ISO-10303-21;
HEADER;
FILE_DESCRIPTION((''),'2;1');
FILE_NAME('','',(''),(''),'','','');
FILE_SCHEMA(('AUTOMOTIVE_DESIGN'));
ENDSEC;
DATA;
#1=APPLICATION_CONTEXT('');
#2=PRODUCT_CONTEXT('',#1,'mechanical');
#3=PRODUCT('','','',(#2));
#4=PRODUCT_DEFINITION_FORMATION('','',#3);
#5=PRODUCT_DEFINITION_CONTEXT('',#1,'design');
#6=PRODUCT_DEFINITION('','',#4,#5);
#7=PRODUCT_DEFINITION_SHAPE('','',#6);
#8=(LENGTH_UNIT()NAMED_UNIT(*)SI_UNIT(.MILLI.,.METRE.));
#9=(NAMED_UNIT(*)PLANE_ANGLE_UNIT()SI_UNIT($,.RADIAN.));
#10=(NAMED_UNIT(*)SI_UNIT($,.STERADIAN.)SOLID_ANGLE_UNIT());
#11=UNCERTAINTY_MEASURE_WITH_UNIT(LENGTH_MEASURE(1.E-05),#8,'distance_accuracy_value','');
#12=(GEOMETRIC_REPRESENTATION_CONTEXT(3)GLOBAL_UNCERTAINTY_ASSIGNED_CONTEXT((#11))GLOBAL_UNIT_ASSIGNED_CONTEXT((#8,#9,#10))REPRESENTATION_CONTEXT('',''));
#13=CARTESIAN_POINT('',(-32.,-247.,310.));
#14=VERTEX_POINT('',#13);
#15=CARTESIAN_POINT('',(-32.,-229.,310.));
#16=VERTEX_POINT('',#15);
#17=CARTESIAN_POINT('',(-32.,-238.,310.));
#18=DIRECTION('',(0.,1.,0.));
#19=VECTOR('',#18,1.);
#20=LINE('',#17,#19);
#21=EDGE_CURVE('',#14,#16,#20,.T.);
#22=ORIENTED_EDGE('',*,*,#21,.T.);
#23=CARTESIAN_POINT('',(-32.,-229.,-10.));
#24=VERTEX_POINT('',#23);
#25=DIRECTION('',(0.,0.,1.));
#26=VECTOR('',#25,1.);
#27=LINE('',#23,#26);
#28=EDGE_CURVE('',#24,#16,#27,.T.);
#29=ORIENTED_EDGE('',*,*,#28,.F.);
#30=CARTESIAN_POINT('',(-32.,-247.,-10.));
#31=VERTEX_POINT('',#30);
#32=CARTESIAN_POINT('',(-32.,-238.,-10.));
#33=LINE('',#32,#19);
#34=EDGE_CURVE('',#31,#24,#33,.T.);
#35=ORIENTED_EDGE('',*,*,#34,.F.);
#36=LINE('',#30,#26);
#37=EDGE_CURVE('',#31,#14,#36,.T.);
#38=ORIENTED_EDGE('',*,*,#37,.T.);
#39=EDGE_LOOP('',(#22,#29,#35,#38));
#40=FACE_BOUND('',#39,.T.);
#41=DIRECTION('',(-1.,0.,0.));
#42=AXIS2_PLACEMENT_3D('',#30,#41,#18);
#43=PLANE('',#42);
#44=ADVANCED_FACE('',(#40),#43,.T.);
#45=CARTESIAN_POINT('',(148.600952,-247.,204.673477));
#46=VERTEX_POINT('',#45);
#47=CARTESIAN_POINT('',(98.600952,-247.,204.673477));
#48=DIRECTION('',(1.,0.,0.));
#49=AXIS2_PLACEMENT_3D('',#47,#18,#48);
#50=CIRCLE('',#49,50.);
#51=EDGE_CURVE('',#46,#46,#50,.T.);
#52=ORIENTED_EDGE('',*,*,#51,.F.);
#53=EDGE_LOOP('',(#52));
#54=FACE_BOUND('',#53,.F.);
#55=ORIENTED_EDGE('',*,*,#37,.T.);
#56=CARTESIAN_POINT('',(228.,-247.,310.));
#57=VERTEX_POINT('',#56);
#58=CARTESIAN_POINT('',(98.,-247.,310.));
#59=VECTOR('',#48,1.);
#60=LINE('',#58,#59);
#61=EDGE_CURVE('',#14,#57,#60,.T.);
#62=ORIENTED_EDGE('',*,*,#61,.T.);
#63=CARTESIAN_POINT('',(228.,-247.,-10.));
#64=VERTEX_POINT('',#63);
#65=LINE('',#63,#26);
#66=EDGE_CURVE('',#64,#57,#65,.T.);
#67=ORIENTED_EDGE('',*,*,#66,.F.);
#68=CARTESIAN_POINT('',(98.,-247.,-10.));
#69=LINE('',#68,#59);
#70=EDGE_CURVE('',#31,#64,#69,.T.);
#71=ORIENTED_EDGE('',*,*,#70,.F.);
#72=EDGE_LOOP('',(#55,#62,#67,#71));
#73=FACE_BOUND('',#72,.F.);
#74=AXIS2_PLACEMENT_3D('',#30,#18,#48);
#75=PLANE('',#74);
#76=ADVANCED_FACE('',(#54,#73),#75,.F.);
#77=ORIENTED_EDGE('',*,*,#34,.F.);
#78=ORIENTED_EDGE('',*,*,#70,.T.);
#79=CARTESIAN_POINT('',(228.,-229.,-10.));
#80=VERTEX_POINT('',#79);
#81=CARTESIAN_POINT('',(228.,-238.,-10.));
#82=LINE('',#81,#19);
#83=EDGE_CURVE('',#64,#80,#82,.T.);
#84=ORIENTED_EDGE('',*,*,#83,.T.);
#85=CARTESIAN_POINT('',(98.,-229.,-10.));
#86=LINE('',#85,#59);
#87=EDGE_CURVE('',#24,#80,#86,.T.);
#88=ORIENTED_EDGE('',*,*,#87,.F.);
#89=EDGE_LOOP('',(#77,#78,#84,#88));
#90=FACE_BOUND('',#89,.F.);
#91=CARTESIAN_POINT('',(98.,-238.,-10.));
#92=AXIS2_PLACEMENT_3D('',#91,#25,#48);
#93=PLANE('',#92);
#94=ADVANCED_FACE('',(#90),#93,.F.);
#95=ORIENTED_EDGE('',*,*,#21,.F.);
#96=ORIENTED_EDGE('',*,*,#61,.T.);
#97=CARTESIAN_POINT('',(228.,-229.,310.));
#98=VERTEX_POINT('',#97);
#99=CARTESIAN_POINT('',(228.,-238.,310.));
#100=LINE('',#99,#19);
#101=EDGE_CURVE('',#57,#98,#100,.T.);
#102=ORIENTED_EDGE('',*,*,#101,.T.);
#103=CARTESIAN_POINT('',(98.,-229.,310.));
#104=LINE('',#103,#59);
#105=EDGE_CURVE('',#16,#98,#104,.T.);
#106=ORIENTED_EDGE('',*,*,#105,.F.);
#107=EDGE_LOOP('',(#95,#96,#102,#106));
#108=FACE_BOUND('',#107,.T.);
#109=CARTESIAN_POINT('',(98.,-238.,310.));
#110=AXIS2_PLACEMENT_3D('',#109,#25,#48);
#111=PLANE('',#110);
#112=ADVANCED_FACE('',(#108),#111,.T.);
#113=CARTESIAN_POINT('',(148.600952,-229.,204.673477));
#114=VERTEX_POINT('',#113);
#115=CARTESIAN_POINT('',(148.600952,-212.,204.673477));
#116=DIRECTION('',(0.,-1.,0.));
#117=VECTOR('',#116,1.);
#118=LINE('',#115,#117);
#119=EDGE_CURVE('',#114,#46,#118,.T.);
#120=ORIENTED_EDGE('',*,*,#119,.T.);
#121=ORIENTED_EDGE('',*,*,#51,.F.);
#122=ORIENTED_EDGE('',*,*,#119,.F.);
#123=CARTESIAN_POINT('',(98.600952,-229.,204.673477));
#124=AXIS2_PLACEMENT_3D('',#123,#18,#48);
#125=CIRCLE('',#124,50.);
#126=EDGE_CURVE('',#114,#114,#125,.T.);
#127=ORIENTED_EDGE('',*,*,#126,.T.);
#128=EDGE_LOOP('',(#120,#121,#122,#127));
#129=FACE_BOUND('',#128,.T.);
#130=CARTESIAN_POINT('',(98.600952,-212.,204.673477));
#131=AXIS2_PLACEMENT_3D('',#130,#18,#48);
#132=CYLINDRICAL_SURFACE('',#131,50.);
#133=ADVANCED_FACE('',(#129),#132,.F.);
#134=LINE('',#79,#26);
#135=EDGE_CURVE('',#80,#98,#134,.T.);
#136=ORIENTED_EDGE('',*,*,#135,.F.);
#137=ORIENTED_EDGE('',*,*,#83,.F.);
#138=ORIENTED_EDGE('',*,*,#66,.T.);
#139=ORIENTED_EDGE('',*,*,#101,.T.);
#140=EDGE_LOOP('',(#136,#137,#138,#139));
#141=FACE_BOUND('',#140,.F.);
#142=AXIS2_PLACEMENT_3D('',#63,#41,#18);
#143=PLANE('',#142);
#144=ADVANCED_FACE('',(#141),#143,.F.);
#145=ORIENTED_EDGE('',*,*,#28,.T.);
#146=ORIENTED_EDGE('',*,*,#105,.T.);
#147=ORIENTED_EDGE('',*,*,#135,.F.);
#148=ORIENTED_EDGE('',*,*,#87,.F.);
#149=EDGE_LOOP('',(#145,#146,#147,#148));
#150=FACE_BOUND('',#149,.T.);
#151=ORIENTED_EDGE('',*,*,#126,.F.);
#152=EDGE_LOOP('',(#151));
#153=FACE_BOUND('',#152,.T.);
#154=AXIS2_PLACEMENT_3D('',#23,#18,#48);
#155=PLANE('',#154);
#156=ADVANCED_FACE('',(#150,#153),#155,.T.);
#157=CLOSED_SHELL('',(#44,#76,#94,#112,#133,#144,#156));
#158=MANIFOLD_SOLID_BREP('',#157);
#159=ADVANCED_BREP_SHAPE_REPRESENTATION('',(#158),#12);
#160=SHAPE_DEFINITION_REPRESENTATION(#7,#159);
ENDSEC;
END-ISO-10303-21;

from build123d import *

# Parameters (mm, degrees)
SKETCH011_R  = 50
PAD009_DEPTH = 40
BOX003_W     = 260
BOX003_H     = 18
BOX003_DEPTH = 320


with BuildPart() as body009:
    # Sketch011 → Pad009 (new body)
    with BuildSketch(Plane.XZ):
        with Locations((98.600952, 204.673477)):
            Circle(SKETCH011_R)
    extrude(amount=PAD009_DEPTH)


with BuildPart() as body009_1:
    # Body009 placement: moved
    add(body009.part.moved(Location((0, -212, 0))))


with BuildPart() as predni_strana:
    # Box003 → Box003 (new body)
    with BuildSketch(Plane(origin=(-32, -247, -10), x_dir=(1, 0, 0), z_dir=(0, 0, 1))):
        with Locations((130, 9)):
            Rectangle(BOX003_W, BOX003_H)
    extrude(amount=BOX003_DEPTH)

    # Cut003: cut Body009
    add(body009_1.part, mode=Mode.SUBTRACT)


solid = predni_strana.part
